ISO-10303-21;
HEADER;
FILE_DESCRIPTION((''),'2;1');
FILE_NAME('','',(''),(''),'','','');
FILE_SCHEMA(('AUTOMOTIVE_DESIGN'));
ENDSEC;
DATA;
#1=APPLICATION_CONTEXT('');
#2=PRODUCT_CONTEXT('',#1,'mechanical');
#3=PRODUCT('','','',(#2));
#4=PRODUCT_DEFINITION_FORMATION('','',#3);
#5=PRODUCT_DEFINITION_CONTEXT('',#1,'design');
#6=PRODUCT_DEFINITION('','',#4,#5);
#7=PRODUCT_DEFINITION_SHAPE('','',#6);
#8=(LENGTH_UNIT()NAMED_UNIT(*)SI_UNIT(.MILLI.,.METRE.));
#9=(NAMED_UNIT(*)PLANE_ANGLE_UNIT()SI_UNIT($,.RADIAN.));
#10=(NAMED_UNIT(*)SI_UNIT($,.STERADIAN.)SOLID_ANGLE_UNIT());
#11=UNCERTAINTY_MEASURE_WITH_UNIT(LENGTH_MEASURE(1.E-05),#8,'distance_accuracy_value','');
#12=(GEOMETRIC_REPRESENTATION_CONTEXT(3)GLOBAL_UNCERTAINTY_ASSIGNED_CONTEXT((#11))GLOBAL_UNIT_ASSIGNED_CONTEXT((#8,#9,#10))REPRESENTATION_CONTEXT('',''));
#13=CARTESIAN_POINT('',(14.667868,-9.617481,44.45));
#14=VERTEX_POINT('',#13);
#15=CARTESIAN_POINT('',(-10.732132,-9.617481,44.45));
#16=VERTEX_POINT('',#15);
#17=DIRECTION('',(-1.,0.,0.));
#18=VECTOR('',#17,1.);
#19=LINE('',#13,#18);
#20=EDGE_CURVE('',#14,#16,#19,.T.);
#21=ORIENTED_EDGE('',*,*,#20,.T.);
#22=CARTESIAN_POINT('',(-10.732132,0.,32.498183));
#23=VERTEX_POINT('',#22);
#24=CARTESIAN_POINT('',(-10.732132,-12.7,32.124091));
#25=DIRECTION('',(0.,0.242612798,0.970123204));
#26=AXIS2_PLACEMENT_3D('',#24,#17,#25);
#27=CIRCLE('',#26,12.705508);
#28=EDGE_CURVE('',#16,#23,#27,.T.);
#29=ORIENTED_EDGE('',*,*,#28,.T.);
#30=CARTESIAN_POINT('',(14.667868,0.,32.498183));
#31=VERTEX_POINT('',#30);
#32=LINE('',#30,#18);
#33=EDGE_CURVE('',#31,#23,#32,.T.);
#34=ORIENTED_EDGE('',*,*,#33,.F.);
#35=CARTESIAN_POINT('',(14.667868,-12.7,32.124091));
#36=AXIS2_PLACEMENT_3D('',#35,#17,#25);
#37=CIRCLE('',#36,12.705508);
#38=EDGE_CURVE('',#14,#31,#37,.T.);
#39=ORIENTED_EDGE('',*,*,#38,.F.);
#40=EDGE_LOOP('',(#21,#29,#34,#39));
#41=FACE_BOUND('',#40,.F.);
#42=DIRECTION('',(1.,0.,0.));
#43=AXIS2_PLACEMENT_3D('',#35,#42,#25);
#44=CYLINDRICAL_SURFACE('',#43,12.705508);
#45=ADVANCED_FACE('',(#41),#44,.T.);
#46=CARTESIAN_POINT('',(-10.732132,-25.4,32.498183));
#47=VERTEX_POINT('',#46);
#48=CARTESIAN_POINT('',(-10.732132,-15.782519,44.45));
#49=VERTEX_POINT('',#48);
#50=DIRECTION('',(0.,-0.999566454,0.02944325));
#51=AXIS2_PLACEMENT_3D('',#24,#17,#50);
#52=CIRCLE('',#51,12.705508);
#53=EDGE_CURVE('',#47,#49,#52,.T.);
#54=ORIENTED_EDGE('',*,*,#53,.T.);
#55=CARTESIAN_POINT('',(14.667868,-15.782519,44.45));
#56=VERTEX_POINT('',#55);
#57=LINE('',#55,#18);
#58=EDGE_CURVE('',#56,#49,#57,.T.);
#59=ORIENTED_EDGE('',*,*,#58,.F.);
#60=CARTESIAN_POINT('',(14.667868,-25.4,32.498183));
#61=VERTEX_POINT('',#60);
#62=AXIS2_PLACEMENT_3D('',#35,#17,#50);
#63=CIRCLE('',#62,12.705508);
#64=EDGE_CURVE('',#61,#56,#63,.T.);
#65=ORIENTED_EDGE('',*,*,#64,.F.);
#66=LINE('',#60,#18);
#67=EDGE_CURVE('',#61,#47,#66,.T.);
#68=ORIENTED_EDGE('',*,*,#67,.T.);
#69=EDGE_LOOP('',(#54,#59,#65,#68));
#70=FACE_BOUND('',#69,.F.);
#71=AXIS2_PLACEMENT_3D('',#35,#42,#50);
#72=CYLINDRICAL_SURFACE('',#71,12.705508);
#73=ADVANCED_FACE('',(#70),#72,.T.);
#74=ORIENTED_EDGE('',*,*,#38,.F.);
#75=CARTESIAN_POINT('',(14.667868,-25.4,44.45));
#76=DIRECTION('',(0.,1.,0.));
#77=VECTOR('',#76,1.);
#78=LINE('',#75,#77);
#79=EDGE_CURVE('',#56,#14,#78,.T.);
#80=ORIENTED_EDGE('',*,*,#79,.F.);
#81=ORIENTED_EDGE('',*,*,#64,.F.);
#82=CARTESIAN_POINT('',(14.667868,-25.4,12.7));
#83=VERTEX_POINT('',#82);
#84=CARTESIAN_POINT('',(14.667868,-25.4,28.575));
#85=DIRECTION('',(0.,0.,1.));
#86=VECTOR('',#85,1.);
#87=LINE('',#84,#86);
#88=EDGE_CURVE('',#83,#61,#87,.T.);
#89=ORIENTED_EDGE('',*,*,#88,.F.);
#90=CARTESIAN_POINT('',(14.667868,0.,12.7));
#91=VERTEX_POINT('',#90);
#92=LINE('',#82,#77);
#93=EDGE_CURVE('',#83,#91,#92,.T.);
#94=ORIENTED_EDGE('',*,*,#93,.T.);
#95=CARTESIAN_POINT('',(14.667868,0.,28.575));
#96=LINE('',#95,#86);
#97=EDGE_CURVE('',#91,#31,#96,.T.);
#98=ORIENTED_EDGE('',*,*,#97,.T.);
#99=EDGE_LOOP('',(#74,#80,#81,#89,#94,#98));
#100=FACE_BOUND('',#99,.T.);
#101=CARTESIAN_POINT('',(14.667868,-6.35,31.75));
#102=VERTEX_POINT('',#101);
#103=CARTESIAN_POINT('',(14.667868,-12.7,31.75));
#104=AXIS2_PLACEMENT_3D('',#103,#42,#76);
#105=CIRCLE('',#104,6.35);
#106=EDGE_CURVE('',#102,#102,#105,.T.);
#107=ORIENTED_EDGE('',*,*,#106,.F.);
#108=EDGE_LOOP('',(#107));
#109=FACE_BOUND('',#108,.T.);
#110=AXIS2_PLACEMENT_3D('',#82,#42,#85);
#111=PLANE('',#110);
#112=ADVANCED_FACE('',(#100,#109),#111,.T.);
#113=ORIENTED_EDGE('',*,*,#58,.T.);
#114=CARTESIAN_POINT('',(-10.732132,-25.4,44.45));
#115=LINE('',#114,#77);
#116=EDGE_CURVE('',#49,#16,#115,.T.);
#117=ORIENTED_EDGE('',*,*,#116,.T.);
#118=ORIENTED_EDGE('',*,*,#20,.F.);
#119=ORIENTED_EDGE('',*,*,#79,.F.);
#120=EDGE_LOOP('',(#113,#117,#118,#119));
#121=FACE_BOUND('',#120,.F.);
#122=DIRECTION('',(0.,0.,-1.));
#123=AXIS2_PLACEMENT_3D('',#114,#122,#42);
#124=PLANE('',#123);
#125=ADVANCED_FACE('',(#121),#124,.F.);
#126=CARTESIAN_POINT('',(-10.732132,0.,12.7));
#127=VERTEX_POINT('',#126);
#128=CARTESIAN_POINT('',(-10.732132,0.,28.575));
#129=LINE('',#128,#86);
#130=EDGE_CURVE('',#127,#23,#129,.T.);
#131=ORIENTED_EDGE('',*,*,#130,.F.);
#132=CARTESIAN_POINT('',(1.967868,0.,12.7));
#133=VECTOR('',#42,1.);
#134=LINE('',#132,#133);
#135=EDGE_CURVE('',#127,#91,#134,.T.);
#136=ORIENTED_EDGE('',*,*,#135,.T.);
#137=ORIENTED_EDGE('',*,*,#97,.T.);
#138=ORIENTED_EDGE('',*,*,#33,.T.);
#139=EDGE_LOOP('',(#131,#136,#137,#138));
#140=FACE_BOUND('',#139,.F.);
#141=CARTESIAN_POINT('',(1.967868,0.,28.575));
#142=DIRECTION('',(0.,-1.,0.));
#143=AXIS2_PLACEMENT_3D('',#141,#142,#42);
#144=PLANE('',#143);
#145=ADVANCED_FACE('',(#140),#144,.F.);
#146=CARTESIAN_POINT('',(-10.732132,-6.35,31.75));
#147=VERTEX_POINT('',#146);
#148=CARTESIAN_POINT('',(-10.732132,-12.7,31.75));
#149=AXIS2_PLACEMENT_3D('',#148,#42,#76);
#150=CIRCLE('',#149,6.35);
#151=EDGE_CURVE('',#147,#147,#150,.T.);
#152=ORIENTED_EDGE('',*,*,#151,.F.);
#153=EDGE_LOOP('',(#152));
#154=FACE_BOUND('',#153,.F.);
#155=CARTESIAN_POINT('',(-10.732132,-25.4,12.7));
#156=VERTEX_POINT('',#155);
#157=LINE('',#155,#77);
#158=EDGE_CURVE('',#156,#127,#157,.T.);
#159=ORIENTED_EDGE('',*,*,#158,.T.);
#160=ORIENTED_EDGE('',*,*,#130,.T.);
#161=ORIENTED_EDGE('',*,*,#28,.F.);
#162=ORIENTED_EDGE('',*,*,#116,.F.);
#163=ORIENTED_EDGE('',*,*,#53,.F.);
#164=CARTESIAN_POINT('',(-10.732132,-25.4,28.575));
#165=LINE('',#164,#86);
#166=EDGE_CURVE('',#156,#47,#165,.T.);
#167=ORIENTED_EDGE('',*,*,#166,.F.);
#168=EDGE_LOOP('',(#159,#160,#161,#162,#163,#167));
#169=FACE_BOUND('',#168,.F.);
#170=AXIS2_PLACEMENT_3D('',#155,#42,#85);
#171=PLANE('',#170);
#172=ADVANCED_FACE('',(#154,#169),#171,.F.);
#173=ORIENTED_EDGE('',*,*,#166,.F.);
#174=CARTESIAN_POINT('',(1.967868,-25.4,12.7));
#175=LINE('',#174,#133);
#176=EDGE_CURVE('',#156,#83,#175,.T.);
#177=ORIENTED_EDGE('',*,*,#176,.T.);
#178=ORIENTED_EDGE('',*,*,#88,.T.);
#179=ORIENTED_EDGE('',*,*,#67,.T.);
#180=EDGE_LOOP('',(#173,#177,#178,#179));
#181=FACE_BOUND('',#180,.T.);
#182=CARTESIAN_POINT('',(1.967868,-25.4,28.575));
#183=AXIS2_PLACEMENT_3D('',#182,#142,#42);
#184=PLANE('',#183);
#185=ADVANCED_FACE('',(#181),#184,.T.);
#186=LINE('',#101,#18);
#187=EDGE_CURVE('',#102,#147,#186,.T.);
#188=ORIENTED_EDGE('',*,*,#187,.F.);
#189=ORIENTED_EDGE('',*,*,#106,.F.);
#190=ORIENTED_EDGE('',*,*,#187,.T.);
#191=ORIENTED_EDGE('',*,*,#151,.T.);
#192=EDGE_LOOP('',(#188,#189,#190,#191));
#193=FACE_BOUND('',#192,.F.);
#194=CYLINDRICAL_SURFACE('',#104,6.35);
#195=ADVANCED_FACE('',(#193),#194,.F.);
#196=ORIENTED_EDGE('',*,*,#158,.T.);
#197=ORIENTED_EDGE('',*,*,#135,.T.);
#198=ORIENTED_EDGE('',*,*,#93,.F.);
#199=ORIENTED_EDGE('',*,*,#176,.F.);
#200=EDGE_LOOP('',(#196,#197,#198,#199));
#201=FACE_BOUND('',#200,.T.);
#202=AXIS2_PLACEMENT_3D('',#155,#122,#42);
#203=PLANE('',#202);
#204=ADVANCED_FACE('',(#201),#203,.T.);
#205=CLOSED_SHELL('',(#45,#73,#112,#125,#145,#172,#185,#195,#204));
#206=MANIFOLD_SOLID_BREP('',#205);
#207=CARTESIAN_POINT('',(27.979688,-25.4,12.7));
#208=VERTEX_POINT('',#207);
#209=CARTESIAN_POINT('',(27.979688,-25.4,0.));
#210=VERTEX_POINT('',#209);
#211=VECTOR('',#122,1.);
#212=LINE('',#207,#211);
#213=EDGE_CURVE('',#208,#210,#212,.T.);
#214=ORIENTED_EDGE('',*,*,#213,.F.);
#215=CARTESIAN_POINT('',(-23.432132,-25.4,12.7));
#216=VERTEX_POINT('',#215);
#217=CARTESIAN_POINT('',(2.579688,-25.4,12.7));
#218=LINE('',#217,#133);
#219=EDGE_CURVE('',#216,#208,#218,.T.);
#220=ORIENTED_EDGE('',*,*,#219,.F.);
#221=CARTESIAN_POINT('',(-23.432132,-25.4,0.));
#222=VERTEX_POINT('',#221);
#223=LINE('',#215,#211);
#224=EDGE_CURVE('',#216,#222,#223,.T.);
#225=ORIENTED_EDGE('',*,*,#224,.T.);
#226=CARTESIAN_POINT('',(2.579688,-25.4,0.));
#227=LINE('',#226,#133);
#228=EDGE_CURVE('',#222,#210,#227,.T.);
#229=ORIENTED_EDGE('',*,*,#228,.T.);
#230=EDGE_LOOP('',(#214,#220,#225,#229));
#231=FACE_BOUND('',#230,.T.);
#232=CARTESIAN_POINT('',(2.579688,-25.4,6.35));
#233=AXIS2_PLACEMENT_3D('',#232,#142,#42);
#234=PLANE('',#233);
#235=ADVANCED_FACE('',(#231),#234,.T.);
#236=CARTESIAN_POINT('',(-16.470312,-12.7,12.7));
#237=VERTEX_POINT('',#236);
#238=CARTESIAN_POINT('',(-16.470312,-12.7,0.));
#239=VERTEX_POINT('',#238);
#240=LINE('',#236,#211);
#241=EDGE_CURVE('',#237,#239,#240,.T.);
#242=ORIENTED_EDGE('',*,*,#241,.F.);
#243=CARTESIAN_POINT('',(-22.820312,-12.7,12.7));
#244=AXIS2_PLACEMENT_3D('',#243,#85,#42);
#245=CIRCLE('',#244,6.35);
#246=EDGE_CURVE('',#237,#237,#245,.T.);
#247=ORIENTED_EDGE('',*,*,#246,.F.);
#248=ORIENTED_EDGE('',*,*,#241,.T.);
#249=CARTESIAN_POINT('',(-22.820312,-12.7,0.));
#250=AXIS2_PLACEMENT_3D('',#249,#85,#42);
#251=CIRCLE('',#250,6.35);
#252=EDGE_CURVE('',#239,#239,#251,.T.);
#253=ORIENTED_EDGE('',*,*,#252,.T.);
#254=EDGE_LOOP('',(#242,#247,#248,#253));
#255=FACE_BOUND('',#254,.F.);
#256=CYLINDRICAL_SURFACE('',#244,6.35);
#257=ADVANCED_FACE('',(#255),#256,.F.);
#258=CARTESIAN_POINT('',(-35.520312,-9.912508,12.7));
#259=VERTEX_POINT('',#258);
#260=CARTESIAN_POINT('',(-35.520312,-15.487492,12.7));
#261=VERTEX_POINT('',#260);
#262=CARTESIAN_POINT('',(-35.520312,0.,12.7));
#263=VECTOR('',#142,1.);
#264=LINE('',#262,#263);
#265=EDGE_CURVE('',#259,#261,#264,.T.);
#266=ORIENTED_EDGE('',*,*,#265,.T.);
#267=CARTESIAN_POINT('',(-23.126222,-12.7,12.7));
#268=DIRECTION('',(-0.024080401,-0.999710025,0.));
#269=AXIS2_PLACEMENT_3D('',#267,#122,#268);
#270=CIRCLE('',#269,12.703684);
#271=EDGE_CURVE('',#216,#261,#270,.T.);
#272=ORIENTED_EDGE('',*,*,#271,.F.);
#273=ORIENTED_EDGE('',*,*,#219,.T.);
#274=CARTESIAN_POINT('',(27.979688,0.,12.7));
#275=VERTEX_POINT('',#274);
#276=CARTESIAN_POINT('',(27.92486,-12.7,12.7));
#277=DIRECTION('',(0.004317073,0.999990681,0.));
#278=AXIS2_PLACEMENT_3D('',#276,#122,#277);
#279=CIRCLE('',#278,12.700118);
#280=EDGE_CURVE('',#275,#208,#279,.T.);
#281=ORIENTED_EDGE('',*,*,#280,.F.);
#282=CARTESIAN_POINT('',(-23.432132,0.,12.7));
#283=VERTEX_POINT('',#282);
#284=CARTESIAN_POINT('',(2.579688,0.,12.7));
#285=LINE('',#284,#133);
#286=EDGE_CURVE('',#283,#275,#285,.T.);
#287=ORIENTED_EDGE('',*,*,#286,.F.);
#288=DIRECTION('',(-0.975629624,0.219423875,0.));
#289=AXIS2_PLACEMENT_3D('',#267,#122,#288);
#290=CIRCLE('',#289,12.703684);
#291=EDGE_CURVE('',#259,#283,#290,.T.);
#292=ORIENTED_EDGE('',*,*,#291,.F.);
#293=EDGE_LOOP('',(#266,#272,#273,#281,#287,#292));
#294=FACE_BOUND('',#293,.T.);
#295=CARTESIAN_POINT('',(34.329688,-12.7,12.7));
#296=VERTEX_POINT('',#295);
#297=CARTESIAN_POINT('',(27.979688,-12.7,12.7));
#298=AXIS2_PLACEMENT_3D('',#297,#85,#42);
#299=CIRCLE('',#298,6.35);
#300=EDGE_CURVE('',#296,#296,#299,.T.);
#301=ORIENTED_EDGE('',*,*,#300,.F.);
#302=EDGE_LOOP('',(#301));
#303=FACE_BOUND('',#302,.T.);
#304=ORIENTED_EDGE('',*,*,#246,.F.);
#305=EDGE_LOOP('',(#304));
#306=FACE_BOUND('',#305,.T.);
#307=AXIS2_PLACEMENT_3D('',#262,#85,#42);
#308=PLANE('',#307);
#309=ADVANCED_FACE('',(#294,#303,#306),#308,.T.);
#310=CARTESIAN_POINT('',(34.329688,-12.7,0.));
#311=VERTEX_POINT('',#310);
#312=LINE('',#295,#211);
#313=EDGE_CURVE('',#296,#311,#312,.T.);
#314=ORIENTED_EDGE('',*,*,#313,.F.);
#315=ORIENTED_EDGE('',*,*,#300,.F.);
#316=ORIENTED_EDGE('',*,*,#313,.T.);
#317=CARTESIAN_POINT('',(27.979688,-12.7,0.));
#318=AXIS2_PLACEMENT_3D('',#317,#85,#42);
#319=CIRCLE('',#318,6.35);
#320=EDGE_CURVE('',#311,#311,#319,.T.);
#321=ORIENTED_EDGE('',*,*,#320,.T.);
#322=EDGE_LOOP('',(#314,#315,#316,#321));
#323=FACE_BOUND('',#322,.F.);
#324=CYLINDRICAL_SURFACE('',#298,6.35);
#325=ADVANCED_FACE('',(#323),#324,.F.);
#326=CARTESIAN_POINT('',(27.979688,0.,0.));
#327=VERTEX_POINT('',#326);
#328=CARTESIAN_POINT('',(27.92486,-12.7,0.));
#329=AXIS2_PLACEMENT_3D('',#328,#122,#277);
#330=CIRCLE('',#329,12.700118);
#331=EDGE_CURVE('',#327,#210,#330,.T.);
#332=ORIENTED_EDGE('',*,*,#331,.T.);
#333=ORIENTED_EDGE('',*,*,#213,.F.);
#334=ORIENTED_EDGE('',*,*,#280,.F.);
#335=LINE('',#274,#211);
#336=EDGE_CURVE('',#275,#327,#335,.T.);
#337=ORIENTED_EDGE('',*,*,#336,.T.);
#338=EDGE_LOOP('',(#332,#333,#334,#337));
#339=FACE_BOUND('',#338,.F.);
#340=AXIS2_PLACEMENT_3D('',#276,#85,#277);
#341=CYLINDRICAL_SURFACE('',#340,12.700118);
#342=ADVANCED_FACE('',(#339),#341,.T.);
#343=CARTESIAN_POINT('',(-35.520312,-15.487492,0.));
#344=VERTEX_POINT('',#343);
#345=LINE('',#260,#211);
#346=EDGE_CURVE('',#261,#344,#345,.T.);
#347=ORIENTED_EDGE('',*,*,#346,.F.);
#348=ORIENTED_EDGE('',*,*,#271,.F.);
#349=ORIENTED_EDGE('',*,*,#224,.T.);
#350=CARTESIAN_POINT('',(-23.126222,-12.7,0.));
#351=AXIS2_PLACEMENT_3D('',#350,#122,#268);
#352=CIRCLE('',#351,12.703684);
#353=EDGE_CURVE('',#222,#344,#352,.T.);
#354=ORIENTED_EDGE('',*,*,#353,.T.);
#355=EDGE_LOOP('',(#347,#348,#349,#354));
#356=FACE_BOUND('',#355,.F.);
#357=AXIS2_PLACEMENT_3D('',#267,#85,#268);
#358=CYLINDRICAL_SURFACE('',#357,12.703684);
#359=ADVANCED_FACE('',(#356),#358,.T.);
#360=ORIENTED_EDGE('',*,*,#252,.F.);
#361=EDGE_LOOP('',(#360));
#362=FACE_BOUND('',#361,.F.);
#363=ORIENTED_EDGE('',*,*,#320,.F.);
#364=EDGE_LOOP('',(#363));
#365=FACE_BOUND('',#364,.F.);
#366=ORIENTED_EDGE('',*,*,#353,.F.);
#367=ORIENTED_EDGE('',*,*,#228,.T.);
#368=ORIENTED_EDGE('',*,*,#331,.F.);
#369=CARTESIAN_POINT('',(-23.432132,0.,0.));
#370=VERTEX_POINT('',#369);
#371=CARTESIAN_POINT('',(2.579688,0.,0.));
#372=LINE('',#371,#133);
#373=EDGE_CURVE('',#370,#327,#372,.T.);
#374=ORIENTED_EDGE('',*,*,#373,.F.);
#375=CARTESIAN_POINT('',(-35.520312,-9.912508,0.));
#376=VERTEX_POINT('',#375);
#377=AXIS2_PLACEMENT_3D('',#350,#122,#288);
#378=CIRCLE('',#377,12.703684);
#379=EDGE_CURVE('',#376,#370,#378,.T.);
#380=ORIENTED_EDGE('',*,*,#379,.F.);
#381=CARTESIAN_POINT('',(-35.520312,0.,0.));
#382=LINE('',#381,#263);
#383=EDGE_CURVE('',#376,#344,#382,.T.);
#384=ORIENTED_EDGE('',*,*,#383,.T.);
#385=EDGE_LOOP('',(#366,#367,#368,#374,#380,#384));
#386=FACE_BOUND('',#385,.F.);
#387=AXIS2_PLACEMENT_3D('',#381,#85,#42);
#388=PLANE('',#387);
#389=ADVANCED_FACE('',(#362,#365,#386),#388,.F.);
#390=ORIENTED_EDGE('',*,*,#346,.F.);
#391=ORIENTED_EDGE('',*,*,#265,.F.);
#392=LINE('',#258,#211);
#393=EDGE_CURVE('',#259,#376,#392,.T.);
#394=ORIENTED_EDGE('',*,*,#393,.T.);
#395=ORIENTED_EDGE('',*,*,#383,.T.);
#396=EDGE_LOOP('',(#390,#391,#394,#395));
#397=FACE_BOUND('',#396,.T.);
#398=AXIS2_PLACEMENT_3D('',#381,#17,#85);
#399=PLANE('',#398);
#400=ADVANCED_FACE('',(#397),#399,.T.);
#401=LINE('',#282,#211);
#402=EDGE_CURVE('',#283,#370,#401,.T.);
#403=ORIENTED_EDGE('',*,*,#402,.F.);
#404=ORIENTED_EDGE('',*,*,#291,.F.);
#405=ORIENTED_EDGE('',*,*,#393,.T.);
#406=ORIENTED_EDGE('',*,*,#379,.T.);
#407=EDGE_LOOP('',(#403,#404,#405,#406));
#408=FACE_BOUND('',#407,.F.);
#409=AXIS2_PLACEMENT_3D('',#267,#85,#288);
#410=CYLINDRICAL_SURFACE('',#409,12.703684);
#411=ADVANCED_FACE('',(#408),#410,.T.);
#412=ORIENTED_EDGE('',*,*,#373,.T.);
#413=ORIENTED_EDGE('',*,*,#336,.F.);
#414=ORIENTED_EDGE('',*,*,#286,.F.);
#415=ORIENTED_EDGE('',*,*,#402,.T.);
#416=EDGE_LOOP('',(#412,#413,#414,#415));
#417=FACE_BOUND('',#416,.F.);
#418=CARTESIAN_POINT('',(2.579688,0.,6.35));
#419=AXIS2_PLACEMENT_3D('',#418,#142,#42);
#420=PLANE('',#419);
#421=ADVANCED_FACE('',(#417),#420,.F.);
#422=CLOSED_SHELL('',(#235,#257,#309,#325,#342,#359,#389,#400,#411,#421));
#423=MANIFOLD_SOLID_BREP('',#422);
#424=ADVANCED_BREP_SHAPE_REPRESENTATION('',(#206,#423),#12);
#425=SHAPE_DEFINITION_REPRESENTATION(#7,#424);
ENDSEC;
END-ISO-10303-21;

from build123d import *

# Parameters (mm, degrees)
F0_W     = 76.2
F0_H     = 12.7
F1_DEPTH = 25.4
F2_R     = 6.35
F3_DEPTH = 12.7
F4_W     = 25.4
F4_H     = 31.75
F5_DEPTH = 25.4
F6_R     = 6.35
F7_DEPTH = 25.4


with BuildPart() as f1:
    # F0 (on Front) → F1 (new body)
    with BuildSketch(Plane.XZ):
        with Locations((2.5796875684, 6.35)):
            Rectangle(F0_W, F0_H)
    extrude(amount=F1_DEPTH)

    # F2 (on face) → F3 (cut)
    with BuildSketch(Plane.XY.offset(12.7)):
        with Locations((-22.8203124316, -12.7)):
            Circle(F2_R)
        with Locations((27.9796875684, -12.7)):
            Circle(F2_R)
        with BuildLine():
            Line((40.6796875684, 0), (27.9796875684, 0))
            ThreePointArc((27.9796875684, 0), (40.6249785715, -12.7), (27.9796875684, -25.4))
            Line((27.9796875684, -25.4), (40.6796875684, -25.4))
            Line((40.6796875684, -25.4), (40.6796875684, 0))
        make_face()
        with BuildLine():
            ThreePointArc((-35.5203124316, -9.9125084794), (-31.1814662456, -2.8767304466), (-23.4321320361, 0))
            Line((-23.4321320361, 0), (-35.5203124316, 0))
            Line((-35.5203124316, 0), (-35.5203124316, -9.9125084794))
        make_face()
        with BuildLine():
            ThreePointArc((-23.4321320361, -25.4), (-31.1814662456, -22.5232695534), (-35.5203124316, -15.4874915206))
            Line((-35.5203124316, -15.4874915206), (-35.5203124316, -25.4))
            Line((-35.5203124316, -25.4), (-23.4321320361, -25.4))
        make_face()
    extrude(amount=-F3_DEPTH, mode=Mode.SUBTRACT)


with BuildPart() as f5:
    # F4 (on face) → F5 (new body)
    with BuildSketch(Plane.XZ.offset(25.4)):
        with Locations((1.9678679639, 28.575)):
            Rectangle(F4_W, F4_H)
    extrude(amount=-F5_DEPTH)

    # F6 (on face) → F7 (cut)
    with BuildSketch(Plane.YZ.offset(14.6678679639)):
        with Locations((-12.7, 31.75)):
            Circle(F6_R)
        with BuildLine():
            ThreePointArc((-9.6174810531, 44.45), (-2.8013405469, 40.0894216751), (0, 32.4981829179))
            Line((0, 32.4981829179), (0, 44.45))
            Line((0, 44.45), (-9.6174810531, 44.45))
        make_face()
        with BuildLine():
            ThreePointArc((-25.4, 32.4981829179), (-22.5986594531, 40.0894216751), (-15.7825189469, 44.45))
            Line((-15.7825189469, 44.45), (-25.4, 44.45))
            Line((-25.4, 44.45), (-25.4, 32.4981829179))
        make_face()
    extrude(amount=-F7_DEPTH, mode=Mode.SUBTRACT)


solid = Compound([f1.part, f5.part])
